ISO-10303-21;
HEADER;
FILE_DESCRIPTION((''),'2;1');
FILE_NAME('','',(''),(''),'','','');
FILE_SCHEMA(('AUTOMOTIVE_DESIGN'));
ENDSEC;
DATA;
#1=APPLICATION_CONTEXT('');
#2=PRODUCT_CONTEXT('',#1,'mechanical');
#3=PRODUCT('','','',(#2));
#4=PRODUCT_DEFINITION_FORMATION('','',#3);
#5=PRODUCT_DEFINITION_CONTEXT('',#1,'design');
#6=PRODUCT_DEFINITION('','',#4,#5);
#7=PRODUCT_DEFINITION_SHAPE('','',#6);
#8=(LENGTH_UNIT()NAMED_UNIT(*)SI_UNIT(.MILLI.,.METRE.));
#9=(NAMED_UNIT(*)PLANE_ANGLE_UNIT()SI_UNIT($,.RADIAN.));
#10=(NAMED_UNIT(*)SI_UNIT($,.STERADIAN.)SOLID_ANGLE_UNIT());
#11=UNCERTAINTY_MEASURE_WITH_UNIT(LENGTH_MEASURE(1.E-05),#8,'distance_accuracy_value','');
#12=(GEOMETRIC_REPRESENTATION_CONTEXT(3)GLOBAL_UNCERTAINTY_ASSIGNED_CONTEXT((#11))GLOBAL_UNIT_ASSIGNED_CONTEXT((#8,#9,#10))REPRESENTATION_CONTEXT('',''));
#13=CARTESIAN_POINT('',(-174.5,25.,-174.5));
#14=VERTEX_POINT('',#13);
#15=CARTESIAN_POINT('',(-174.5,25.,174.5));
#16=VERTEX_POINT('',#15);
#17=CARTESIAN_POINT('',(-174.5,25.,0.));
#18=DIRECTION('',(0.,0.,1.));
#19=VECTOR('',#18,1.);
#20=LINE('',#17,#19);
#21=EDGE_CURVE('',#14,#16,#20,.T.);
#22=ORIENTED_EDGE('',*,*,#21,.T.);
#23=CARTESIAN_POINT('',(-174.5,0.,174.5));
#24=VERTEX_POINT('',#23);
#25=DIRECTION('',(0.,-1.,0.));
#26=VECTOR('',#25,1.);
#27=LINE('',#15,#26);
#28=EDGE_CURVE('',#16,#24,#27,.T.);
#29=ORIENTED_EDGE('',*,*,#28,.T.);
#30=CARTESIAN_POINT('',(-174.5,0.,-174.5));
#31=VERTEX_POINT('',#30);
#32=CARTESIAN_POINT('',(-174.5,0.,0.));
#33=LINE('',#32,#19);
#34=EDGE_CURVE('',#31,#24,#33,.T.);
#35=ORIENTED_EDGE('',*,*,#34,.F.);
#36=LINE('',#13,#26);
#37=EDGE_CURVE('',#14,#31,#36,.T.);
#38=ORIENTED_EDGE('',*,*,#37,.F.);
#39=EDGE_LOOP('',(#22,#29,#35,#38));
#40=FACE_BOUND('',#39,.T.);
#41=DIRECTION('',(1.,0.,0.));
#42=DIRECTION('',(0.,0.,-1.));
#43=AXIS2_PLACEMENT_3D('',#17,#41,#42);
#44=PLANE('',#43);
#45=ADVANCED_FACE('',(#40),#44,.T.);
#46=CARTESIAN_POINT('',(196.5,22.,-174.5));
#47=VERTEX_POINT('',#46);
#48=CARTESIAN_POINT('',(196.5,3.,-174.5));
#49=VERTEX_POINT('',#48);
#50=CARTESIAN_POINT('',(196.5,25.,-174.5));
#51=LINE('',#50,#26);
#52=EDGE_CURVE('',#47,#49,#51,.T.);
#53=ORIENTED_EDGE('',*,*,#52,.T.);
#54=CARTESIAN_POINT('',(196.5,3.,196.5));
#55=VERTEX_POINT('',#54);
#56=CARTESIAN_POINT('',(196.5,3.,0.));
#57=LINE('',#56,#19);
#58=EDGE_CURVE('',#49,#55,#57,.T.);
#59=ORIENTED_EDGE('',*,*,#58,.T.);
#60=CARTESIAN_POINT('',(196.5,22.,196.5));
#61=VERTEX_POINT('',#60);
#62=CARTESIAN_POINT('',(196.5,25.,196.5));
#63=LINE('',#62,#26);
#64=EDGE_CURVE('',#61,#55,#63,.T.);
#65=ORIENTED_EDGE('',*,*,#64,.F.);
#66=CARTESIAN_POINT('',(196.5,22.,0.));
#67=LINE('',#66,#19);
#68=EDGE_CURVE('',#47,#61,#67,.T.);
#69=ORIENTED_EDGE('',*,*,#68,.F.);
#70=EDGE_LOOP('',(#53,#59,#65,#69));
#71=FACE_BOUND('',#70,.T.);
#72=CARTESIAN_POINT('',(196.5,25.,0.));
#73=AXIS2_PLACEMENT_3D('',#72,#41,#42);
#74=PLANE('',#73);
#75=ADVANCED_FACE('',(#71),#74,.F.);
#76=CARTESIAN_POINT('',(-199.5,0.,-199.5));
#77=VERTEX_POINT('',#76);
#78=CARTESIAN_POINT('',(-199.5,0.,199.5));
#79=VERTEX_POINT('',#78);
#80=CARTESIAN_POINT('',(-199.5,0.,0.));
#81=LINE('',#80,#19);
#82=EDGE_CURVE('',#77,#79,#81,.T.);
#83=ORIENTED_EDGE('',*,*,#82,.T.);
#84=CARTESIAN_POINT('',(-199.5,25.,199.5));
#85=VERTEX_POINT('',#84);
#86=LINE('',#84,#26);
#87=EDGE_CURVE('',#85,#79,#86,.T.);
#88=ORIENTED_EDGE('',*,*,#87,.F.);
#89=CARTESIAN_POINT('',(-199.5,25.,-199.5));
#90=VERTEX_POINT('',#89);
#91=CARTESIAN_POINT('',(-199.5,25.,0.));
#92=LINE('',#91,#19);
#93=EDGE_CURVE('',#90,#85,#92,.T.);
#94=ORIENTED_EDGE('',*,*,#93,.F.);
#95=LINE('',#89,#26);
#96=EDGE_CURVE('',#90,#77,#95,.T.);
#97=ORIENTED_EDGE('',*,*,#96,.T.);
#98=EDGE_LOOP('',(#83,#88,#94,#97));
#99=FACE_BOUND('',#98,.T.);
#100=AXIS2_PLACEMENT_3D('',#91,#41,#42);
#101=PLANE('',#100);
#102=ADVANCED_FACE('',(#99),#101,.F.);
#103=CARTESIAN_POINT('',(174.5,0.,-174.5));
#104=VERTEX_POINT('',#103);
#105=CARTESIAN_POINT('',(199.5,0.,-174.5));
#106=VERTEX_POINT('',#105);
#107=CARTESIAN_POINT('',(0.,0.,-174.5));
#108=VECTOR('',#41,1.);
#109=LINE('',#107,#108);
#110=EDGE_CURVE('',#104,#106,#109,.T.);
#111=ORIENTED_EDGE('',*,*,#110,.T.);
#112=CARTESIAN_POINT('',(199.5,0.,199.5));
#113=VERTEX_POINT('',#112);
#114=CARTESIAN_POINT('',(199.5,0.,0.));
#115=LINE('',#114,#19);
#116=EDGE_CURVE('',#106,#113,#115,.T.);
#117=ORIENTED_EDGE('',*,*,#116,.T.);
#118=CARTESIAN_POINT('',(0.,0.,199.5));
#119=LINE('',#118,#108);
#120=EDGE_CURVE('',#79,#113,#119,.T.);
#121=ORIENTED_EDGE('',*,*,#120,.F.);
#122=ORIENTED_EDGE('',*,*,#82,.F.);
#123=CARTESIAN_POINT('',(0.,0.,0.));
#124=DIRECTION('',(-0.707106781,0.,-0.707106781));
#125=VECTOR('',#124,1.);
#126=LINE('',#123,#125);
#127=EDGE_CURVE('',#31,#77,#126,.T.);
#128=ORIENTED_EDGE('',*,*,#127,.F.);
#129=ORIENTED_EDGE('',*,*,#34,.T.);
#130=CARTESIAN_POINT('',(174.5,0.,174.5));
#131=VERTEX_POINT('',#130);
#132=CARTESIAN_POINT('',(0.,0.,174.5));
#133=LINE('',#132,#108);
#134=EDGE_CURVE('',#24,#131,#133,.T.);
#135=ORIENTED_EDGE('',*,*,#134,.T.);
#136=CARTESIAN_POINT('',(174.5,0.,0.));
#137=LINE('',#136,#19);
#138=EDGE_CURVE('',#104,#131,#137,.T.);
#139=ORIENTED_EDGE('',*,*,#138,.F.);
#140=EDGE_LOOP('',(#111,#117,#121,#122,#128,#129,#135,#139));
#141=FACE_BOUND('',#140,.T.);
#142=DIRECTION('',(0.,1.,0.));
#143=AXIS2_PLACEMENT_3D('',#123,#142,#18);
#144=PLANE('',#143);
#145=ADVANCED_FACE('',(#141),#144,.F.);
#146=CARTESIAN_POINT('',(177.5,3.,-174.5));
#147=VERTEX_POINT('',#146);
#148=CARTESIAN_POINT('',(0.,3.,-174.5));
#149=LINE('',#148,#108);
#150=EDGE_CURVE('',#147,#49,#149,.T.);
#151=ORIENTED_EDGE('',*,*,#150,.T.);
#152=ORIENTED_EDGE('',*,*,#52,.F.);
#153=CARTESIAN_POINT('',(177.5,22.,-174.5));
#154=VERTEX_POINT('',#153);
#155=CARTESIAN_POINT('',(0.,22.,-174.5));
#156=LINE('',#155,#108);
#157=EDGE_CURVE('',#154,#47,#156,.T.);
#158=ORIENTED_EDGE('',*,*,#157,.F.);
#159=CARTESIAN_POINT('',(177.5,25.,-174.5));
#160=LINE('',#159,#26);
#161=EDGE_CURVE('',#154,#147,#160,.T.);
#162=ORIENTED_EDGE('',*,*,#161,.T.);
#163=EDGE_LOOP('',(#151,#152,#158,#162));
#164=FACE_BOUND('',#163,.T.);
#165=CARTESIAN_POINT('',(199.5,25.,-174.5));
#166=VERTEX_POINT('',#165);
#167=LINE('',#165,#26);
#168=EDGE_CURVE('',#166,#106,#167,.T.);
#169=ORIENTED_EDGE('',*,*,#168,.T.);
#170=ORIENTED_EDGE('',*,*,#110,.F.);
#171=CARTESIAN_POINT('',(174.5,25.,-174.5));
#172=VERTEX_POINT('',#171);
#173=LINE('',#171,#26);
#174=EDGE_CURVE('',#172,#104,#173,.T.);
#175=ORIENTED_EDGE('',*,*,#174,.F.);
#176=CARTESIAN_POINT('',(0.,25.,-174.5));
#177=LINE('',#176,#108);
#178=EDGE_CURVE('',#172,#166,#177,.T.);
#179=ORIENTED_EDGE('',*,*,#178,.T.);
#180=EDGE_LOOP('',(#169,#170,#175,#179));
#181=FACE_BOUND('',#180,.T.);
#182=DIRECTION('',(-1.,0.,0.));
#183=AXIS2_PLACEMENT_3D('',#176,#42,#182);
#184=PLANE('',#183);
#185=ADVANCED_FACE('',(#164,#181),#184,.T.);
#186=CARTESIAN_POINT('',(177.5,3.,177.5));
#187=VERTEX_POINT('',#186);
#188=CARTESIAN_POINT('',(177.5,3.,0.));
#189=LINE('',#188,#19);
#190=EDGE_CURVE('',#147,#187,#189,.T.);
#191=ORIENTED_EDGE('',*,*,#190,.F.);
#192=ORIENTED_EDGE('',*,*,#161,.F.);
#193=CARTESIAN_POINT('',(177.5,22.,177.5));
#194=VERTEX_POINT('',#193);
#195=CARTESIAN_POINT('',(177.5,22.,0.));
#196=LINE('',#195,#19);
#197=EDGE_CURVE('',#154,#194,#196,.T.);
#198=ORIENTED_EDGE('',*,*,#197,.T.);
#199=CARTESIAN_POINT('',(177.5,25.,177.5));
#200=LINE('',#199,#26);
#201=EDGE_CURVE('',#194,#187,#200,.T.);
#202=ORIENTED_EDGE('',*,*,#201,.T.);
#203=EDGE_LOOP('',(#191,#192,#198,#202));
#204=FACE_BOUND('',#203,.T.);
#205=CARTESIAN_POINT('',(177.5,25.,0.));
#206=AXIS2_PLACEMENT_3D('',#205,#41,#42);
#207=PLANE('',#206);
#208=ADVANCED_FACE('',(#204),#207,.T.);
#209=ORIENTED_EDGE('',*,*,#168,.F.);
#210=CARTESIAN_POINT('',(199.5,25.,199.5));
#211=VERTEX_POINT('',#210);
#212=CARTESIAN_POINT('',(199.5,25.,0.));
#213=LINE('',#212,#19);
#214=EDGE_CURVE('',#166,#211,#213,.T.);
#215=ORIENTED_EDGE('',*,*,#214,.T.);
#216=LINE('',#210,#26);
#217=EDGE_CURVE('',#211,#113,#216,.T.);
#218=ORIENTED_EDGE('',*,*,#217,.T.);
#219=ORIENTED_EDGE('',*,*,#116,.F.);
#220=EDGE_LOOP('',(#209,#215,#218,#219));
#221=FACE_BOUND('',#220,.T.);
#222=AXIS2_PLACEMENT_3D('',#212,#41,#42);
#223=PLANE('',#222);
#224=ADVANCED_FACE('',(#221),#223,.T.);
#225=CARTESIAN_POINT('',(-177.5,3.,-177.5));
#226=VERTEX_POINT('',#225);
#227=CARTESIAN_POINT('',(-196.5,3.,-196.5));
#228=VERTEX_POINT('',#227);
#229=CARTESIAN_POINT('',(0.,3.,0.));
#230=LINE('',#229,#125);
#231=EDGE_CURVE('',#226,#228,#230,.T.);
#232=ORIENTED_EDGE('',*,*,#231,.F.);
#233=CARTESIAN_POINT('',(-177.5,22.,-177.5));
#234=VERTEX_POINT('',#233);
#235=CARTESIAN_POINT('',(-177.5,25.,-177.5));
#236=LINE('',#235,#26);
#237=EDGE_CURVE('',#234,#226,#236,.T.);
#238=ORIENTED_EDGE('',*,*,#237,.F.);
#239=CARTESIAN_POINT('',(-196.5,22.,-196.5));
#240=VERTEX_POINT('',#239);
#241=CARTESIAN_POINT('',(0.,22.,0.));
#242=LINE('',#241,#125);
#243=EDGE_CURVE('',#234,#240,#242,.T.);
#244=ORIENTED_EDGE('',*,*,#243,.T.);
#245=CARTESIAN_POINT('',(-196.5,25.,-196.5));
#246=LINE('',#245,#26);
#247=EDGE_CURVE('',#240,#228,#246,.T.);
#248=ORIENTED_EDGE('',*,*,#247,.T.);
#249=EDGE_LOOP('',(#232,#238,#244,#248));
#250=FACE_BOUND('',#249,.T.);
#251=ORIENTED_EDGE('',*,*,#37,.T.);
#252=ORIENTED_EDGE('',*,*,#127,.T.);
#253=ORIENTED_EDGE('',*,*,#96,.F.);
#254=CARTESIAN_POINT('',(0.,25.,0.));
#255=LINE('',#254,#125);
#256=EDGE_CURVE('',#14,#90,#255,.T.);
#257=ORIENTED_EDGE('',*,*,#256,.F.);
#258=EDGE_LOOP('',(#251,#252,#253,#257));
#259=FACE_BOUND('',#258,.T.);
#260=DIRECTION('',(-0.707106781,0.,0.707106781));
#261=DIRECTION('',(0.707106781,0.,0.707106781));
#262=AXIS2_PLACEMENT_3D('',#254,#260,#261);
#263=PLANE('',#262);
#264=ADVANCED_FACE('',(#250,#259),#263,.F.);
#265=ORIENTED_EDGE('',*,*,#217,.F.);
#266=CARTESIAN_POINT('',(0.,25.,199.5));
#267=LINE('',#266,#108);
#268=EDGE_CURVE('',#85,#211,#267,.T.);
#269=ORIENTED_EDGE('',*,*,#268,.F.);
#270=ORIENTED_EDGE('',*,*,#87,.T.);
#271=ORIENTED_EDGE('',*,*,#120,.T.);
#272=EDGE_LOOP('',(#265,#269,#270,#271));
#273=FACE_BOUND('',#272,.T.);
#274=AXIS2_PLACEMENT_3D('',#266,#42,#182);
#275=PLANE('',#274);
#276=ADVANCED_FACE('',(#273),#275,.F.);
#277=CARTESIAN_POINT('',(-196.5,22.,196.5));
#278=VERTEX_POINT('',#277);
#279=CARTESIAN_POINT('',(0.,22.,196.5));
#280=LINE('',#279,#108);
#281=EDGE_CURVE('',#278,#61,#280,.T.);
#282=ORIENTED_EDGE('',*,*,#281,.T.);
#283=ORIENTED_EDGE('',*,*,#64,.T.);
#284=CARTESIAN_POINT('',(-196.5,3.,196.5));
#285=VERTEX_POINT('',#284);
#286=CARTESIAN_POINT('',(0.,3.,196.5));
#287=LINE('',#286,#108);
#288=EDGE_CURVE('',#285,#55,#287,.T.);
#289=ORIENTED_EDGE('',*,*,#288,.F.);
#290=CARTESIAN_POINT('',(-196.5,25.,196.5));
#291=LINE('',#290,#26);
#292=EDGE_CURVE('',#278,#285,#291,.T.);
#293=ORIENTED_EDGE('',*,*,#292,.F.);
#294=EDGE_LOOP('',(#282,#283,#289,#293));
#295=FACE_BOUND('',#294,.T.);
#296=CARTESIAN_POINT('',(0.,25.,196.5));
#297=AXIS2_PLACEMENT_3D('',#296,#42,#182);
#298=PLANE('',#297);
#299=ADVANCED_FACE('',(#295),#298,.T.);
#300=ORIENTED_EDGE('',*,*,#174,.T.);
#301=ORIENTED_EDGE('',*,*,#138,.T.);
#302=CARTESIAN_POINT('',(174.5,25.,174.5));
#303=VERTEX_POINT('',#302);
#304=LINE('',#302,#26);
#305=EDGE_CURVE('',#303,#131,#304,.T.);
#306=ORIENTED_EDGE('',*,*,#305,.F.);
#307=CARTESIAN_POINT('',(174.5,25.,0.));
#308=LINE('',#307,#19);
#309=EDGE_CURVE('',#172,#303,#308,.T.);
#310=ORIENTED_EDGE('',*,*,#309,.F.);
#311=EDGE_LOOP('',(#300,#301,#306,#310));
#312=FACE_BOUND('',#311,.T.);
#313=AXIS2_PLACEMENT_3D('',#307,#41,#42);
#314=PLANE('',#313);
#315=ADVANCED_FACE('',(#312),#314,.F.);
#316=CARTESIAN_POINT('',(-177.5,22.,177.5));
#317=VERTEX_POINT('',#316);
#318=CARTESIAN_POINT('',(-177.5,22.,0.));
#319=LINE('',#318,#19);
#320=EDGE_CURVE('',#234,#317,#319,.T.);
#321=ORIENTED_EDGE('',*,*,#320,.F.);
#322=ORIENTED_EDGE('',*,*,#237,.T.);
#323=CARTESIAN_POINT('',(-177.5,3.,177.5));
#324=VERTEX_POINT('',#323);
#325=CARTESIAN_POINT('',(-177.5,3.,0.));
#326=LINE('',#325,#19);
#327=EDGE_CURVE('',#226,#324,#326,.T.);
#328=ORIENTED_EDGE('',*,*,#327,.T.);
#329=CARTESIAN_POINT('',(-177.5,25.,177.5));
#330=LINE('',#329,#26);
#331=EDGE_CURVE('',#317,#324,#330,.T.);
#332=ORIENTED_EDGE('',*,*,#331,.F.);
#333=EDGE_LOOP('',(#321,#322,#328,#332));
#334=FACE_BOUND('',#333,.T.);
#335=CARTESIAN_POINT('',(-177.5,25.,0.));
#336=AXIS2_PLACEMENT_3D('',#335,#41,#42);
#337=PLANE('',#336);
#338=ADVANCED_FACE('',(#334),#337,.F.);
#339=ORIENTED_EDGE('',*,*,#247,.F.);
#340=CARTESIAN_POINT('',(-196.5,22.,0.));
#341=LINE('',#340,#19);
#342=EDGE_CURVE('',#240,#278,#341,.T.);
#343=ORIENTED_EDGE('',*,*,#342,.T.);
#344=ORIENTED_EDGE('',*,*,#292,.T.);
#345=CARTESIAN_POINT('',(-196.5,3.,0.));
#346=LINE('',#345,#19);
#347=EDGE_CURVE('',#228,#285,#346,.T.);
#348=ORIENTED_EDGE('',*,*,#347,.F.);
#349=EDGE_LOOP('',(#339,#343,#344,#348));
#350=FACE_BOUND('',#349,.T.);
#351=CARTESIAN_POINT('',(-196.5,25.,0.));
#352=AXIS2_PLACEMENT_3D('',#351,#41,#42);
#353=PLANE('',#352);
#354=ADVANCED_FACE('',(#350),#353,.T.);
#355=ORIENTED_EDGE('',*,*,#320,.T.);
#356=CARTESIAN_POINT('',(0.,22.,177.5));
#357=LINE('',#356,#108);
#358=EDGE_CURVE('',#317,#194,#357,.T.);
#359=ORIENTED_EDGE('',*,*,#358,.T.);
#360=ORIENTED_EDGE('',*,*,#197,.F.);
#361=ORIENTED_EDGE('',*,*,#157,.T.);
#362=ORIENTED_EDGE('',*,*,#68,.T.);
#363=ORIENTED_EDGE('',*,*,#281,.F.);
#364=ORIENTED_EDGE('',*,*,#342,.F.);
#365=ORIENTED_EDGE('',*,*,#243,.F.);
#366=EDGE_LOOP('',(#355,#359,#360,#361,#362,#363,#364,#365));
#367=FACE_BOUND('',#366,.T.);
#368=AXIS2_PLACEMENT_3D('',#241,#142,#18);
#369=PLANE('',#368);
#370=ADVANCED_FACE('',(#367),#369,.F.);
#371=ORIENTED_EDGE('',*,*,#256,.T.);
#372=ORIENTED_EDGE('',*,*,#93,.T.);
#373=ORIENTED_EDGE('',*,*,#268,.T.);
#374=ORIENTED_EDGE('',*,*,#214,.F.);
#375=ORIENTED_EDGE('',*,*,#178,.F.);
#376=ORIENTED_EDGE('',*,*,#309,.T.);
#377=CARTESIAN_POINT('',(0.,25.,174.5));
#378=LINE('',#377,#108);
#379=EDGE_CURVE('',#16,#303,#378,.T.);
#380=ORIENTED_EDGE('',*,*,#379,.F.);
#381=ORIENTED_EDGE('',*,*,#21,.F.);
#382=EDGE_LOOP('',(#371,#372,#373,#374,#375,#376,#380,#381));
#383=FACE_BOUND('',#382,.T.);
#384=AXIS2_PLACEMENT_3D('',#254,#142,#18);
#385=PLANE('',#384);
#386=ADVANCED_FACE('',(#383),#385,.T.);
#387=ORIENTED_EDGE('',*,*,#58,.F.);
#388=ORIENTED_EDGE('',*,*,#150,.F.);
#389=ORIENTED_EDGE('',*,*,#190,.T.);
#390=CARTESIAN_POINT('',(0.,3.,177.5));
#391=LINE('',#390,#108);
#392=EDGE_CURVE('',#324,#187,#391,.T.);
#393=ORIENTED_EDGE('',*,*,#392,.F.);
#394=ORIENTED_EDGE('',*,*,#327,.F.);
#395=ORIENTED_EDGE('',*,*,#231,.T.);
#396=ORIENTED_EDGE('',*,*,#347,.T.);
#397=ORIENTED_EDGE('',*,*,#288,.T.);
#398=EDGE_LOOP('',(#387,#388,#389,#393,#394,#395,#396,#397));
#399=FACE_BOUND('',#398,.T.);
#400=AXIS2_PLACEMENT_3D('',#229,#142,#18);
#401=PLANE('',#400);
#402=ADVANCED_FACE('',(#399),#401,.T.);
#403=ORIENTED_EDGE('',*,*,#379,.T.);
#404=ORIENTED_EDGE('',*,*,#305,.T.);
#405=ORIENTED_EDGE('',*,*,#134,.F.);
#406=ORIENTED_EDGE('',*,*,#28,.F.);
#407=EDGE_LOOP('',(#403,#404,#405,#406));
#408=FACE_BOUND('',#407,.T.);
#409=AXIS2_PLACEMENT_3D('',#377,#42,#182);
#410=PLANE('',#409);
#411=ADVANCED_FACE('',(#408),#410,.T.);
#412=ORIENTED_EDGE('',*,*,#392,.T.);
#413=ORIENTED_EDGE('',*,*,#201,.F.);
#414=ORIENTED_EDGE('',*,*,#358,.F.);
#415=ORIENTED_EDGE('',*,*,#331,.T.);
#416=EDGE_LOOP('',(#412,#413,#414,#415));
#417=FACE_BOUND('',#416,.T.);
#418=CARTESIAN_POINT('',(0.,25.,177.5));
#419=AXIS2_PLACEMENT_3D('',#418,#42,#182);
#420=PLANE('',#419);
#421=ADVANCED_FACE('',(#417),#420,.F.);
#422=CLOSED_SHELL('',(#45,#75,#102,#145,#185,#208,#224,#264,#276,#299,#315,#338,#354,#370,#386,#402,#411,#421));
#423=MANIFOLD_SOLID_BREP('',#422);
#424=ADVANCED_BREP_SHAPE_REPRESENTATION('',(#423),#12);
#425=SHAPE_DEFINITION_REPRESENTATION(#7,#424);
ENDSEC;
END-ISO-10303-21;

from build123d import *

# Parameters (mm, degrees)
BOSS_EXTRUDE1_DEPTH = 25
SHELL1_T            = -3


with BuildPart() as part:
    # Sketch1 → Boss-Extrude1 (new body)
    with BuildSketch(Plane(origin=(0, 0, 0), x_dir=(1, 0, 0), z_dir=(0, 1, 0))):
        Polygon((-174.5, 174.5), (-174.5, -174.5), (174.5, -174.5), (174.5, 174.5), (199.5, 174.5), (199.5, -199.5), (-199.5, -199.5), (-199.5, 199.5), align=None)
    extrude(amount=BOSS_EXTRUDE1_DEPTH)

    # Shell1
    shell1_openings = [part.faces().sort_by_distance(p)[0] for p in [
        (187, 12.5, -174.5),
        (-187, 12.5, -187),
    ]]
    offset(amount=SHELL1_T, openings=shell1_openings, kind=Kind.INTERSECTION)


solid = part.part
